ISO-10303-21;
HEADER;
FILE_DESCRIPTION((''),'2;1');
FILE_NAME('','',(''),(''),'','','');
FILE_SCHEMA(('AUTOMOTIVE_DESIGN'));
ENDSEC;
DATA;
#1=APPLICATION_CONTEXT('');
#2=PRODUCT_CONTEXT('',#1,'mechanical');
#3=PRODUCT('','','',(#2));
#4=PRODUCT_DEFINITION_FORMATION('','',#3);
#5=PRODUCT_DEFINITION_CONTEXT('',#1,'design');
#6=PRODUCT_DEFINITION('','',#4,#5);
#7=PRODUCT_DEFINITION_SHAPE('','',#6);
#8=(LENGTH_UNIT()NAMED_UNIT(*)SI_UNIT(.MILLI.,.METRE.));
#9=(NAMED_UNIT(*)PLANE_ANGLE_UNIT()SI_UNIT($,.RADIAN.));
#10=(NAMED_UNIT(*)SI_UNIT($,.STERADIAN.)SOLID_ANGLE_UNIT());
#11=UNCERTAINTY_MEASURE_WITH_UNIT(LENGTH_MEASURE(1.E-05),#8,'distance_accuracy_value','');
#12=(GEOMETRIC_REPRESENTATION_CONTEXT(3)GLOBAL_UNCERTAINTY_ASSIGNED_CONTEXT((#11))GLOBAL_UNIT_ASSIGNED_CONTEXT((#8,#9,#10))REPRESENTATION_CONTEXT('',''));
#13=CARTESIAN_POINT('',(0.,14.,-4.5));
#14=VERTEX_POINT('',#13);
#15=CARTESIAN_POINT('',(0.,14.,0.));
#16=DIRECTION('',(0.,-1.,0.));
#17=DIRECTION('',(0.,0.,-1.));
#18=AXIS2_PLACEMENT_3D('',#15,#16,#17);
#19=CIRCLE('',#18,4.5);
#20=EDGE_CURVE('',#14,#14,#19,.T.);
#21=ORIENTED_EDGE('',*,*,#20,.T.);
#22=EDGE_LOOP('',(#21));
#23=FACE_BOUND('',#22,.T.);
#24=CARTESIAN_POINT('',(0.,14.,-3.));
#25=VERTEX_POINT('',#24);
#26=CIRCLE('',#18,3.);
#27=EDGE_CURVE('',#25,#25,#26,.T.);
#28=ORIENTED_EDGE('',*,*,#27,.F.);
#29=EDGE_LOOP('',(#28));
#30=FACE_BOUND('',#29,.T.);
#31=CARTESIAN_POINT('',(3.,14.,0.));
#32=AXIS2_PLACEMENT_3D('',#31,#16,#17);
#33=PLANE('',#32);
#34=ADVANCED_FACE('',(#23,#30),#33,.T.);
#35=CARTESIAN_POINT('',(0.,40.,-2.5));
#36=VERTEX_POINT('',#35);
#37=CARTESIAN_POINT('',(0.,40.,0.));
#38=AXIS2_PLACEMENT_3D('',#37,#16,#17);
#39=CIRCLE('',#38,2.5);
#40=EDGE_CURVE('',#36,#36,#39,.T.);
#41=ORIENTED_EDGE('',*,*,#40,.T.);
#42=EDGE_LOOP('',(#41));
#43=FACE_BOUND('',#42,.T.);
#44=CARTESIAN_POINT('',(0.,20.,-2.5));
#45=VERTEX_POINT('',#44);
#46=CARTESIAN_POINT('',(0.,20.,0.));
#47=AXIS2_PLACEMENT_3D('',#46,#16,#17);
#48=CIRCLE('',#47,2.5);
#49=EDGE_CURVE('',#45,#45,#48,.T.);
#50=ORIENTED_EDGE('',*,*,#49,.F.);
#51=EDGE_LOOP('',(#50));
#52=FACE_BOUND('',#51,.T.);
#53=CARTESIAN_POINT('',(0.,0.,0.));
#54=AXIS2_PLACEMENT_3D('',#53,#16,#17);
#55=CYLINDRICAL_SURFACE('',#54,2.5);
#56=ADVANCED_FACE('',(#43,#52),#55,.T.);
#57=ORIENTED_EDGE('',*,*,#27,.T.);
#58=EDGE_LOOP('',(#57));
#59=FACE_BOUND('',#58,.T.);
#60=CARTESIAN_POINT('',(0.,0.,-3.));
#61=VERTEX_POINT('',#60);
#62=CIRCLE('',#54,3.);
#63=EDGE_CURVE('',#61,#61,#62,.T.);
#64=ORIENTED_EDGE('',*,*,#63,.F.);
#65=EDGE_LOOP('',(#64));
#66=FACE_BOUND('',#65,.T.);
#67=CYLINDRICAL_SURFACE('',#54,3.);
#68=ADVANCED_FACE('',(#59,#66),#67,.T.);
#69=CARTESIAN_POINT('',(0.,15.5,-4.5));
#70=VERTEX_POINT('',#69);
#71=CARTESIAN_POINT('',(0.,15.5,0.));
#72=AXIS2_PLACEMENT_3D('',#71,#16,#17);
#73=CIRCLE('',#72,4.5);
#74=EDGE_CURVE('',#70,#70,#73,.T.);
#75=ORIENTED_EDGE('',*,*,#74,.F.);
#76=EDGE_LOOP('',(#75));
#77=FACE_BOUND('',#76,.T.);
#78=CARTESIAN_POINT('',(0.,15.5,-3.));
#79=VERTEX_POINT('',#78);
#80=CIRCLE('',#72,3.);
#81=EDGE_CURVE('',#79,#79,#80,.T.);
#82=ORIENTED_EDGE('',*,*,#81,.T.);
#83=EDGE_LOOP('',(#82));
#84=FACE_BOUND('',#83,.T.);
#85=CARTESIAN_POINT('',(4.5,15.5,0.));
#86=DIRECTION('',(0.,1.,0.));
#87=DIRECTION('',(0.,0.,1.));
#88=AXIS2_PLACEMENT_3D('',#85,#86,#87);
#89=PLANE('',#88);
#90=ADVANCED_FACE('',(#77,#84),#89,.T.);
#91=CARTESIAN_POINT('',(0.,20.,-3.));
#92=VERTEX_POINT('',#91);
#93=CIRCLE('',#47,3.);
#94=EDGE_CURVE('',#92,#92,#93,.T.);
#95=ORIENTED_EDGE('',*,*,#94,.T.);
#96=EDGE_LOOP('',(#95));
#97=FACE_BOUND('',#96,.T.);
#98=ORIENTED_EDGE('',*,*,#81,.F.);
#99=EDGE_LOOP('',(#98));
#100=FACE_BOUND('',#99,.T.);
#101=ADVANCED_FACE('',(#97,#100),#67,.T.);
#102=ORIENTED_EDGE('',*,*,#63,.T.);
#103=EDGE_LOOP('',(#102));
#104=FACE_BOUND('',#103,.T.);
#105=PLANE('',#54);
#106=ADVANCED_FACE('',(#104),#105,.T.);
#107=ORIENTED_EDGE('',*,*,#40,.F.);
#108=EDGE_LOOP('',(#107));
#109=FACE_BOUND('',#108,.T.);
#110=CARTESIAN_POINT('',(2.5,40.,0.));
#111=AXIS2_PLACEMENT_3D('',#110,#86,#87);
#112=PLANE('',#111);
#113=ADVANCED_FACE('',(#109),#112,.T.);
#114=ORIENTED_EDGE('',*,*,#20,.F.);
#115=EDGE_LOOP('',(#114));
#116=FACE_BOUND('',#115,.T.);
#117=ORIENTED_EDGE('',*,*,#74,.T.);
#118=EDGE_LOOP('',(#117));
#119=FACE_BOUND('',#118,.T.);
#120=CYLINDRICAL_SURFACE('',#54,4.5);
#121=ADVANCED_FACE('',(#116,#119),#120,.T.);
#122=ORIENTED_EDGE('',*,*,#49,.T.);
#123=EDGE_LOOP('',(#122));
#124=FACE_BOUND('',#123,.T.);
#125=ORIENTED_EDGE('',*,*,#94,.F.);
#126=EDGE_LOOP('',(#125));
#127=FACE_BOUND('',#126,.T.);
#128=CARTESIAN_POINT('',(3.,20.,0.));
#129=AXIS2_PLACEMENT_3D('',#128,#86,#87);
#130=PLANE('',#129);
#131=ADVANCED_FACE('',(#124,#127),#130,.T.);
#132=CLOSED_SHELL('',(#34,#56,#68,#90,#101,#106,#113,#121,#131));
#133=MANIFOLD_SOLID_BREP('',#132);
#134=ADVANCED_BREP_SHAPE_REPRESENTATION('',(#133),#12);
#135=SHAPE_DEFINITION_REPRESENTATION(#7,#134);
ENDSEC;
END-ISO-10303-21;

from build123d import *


with BuildPart() as part:
    # Sketch1 → Revolve1 (revolve)
    with BuildSketch(Plane.XY):
        Polygon((0, 0), (3, 0), (3, 14), (4.5, 14), (4.5, 15.5), (3, 15.5), (3, 20), (2.5, 20), (2.5, 40), (0, 40), align=None)
    revolve(axis=Axis((0, 0, 0), (0, 1, 0)))


solid = part.part
